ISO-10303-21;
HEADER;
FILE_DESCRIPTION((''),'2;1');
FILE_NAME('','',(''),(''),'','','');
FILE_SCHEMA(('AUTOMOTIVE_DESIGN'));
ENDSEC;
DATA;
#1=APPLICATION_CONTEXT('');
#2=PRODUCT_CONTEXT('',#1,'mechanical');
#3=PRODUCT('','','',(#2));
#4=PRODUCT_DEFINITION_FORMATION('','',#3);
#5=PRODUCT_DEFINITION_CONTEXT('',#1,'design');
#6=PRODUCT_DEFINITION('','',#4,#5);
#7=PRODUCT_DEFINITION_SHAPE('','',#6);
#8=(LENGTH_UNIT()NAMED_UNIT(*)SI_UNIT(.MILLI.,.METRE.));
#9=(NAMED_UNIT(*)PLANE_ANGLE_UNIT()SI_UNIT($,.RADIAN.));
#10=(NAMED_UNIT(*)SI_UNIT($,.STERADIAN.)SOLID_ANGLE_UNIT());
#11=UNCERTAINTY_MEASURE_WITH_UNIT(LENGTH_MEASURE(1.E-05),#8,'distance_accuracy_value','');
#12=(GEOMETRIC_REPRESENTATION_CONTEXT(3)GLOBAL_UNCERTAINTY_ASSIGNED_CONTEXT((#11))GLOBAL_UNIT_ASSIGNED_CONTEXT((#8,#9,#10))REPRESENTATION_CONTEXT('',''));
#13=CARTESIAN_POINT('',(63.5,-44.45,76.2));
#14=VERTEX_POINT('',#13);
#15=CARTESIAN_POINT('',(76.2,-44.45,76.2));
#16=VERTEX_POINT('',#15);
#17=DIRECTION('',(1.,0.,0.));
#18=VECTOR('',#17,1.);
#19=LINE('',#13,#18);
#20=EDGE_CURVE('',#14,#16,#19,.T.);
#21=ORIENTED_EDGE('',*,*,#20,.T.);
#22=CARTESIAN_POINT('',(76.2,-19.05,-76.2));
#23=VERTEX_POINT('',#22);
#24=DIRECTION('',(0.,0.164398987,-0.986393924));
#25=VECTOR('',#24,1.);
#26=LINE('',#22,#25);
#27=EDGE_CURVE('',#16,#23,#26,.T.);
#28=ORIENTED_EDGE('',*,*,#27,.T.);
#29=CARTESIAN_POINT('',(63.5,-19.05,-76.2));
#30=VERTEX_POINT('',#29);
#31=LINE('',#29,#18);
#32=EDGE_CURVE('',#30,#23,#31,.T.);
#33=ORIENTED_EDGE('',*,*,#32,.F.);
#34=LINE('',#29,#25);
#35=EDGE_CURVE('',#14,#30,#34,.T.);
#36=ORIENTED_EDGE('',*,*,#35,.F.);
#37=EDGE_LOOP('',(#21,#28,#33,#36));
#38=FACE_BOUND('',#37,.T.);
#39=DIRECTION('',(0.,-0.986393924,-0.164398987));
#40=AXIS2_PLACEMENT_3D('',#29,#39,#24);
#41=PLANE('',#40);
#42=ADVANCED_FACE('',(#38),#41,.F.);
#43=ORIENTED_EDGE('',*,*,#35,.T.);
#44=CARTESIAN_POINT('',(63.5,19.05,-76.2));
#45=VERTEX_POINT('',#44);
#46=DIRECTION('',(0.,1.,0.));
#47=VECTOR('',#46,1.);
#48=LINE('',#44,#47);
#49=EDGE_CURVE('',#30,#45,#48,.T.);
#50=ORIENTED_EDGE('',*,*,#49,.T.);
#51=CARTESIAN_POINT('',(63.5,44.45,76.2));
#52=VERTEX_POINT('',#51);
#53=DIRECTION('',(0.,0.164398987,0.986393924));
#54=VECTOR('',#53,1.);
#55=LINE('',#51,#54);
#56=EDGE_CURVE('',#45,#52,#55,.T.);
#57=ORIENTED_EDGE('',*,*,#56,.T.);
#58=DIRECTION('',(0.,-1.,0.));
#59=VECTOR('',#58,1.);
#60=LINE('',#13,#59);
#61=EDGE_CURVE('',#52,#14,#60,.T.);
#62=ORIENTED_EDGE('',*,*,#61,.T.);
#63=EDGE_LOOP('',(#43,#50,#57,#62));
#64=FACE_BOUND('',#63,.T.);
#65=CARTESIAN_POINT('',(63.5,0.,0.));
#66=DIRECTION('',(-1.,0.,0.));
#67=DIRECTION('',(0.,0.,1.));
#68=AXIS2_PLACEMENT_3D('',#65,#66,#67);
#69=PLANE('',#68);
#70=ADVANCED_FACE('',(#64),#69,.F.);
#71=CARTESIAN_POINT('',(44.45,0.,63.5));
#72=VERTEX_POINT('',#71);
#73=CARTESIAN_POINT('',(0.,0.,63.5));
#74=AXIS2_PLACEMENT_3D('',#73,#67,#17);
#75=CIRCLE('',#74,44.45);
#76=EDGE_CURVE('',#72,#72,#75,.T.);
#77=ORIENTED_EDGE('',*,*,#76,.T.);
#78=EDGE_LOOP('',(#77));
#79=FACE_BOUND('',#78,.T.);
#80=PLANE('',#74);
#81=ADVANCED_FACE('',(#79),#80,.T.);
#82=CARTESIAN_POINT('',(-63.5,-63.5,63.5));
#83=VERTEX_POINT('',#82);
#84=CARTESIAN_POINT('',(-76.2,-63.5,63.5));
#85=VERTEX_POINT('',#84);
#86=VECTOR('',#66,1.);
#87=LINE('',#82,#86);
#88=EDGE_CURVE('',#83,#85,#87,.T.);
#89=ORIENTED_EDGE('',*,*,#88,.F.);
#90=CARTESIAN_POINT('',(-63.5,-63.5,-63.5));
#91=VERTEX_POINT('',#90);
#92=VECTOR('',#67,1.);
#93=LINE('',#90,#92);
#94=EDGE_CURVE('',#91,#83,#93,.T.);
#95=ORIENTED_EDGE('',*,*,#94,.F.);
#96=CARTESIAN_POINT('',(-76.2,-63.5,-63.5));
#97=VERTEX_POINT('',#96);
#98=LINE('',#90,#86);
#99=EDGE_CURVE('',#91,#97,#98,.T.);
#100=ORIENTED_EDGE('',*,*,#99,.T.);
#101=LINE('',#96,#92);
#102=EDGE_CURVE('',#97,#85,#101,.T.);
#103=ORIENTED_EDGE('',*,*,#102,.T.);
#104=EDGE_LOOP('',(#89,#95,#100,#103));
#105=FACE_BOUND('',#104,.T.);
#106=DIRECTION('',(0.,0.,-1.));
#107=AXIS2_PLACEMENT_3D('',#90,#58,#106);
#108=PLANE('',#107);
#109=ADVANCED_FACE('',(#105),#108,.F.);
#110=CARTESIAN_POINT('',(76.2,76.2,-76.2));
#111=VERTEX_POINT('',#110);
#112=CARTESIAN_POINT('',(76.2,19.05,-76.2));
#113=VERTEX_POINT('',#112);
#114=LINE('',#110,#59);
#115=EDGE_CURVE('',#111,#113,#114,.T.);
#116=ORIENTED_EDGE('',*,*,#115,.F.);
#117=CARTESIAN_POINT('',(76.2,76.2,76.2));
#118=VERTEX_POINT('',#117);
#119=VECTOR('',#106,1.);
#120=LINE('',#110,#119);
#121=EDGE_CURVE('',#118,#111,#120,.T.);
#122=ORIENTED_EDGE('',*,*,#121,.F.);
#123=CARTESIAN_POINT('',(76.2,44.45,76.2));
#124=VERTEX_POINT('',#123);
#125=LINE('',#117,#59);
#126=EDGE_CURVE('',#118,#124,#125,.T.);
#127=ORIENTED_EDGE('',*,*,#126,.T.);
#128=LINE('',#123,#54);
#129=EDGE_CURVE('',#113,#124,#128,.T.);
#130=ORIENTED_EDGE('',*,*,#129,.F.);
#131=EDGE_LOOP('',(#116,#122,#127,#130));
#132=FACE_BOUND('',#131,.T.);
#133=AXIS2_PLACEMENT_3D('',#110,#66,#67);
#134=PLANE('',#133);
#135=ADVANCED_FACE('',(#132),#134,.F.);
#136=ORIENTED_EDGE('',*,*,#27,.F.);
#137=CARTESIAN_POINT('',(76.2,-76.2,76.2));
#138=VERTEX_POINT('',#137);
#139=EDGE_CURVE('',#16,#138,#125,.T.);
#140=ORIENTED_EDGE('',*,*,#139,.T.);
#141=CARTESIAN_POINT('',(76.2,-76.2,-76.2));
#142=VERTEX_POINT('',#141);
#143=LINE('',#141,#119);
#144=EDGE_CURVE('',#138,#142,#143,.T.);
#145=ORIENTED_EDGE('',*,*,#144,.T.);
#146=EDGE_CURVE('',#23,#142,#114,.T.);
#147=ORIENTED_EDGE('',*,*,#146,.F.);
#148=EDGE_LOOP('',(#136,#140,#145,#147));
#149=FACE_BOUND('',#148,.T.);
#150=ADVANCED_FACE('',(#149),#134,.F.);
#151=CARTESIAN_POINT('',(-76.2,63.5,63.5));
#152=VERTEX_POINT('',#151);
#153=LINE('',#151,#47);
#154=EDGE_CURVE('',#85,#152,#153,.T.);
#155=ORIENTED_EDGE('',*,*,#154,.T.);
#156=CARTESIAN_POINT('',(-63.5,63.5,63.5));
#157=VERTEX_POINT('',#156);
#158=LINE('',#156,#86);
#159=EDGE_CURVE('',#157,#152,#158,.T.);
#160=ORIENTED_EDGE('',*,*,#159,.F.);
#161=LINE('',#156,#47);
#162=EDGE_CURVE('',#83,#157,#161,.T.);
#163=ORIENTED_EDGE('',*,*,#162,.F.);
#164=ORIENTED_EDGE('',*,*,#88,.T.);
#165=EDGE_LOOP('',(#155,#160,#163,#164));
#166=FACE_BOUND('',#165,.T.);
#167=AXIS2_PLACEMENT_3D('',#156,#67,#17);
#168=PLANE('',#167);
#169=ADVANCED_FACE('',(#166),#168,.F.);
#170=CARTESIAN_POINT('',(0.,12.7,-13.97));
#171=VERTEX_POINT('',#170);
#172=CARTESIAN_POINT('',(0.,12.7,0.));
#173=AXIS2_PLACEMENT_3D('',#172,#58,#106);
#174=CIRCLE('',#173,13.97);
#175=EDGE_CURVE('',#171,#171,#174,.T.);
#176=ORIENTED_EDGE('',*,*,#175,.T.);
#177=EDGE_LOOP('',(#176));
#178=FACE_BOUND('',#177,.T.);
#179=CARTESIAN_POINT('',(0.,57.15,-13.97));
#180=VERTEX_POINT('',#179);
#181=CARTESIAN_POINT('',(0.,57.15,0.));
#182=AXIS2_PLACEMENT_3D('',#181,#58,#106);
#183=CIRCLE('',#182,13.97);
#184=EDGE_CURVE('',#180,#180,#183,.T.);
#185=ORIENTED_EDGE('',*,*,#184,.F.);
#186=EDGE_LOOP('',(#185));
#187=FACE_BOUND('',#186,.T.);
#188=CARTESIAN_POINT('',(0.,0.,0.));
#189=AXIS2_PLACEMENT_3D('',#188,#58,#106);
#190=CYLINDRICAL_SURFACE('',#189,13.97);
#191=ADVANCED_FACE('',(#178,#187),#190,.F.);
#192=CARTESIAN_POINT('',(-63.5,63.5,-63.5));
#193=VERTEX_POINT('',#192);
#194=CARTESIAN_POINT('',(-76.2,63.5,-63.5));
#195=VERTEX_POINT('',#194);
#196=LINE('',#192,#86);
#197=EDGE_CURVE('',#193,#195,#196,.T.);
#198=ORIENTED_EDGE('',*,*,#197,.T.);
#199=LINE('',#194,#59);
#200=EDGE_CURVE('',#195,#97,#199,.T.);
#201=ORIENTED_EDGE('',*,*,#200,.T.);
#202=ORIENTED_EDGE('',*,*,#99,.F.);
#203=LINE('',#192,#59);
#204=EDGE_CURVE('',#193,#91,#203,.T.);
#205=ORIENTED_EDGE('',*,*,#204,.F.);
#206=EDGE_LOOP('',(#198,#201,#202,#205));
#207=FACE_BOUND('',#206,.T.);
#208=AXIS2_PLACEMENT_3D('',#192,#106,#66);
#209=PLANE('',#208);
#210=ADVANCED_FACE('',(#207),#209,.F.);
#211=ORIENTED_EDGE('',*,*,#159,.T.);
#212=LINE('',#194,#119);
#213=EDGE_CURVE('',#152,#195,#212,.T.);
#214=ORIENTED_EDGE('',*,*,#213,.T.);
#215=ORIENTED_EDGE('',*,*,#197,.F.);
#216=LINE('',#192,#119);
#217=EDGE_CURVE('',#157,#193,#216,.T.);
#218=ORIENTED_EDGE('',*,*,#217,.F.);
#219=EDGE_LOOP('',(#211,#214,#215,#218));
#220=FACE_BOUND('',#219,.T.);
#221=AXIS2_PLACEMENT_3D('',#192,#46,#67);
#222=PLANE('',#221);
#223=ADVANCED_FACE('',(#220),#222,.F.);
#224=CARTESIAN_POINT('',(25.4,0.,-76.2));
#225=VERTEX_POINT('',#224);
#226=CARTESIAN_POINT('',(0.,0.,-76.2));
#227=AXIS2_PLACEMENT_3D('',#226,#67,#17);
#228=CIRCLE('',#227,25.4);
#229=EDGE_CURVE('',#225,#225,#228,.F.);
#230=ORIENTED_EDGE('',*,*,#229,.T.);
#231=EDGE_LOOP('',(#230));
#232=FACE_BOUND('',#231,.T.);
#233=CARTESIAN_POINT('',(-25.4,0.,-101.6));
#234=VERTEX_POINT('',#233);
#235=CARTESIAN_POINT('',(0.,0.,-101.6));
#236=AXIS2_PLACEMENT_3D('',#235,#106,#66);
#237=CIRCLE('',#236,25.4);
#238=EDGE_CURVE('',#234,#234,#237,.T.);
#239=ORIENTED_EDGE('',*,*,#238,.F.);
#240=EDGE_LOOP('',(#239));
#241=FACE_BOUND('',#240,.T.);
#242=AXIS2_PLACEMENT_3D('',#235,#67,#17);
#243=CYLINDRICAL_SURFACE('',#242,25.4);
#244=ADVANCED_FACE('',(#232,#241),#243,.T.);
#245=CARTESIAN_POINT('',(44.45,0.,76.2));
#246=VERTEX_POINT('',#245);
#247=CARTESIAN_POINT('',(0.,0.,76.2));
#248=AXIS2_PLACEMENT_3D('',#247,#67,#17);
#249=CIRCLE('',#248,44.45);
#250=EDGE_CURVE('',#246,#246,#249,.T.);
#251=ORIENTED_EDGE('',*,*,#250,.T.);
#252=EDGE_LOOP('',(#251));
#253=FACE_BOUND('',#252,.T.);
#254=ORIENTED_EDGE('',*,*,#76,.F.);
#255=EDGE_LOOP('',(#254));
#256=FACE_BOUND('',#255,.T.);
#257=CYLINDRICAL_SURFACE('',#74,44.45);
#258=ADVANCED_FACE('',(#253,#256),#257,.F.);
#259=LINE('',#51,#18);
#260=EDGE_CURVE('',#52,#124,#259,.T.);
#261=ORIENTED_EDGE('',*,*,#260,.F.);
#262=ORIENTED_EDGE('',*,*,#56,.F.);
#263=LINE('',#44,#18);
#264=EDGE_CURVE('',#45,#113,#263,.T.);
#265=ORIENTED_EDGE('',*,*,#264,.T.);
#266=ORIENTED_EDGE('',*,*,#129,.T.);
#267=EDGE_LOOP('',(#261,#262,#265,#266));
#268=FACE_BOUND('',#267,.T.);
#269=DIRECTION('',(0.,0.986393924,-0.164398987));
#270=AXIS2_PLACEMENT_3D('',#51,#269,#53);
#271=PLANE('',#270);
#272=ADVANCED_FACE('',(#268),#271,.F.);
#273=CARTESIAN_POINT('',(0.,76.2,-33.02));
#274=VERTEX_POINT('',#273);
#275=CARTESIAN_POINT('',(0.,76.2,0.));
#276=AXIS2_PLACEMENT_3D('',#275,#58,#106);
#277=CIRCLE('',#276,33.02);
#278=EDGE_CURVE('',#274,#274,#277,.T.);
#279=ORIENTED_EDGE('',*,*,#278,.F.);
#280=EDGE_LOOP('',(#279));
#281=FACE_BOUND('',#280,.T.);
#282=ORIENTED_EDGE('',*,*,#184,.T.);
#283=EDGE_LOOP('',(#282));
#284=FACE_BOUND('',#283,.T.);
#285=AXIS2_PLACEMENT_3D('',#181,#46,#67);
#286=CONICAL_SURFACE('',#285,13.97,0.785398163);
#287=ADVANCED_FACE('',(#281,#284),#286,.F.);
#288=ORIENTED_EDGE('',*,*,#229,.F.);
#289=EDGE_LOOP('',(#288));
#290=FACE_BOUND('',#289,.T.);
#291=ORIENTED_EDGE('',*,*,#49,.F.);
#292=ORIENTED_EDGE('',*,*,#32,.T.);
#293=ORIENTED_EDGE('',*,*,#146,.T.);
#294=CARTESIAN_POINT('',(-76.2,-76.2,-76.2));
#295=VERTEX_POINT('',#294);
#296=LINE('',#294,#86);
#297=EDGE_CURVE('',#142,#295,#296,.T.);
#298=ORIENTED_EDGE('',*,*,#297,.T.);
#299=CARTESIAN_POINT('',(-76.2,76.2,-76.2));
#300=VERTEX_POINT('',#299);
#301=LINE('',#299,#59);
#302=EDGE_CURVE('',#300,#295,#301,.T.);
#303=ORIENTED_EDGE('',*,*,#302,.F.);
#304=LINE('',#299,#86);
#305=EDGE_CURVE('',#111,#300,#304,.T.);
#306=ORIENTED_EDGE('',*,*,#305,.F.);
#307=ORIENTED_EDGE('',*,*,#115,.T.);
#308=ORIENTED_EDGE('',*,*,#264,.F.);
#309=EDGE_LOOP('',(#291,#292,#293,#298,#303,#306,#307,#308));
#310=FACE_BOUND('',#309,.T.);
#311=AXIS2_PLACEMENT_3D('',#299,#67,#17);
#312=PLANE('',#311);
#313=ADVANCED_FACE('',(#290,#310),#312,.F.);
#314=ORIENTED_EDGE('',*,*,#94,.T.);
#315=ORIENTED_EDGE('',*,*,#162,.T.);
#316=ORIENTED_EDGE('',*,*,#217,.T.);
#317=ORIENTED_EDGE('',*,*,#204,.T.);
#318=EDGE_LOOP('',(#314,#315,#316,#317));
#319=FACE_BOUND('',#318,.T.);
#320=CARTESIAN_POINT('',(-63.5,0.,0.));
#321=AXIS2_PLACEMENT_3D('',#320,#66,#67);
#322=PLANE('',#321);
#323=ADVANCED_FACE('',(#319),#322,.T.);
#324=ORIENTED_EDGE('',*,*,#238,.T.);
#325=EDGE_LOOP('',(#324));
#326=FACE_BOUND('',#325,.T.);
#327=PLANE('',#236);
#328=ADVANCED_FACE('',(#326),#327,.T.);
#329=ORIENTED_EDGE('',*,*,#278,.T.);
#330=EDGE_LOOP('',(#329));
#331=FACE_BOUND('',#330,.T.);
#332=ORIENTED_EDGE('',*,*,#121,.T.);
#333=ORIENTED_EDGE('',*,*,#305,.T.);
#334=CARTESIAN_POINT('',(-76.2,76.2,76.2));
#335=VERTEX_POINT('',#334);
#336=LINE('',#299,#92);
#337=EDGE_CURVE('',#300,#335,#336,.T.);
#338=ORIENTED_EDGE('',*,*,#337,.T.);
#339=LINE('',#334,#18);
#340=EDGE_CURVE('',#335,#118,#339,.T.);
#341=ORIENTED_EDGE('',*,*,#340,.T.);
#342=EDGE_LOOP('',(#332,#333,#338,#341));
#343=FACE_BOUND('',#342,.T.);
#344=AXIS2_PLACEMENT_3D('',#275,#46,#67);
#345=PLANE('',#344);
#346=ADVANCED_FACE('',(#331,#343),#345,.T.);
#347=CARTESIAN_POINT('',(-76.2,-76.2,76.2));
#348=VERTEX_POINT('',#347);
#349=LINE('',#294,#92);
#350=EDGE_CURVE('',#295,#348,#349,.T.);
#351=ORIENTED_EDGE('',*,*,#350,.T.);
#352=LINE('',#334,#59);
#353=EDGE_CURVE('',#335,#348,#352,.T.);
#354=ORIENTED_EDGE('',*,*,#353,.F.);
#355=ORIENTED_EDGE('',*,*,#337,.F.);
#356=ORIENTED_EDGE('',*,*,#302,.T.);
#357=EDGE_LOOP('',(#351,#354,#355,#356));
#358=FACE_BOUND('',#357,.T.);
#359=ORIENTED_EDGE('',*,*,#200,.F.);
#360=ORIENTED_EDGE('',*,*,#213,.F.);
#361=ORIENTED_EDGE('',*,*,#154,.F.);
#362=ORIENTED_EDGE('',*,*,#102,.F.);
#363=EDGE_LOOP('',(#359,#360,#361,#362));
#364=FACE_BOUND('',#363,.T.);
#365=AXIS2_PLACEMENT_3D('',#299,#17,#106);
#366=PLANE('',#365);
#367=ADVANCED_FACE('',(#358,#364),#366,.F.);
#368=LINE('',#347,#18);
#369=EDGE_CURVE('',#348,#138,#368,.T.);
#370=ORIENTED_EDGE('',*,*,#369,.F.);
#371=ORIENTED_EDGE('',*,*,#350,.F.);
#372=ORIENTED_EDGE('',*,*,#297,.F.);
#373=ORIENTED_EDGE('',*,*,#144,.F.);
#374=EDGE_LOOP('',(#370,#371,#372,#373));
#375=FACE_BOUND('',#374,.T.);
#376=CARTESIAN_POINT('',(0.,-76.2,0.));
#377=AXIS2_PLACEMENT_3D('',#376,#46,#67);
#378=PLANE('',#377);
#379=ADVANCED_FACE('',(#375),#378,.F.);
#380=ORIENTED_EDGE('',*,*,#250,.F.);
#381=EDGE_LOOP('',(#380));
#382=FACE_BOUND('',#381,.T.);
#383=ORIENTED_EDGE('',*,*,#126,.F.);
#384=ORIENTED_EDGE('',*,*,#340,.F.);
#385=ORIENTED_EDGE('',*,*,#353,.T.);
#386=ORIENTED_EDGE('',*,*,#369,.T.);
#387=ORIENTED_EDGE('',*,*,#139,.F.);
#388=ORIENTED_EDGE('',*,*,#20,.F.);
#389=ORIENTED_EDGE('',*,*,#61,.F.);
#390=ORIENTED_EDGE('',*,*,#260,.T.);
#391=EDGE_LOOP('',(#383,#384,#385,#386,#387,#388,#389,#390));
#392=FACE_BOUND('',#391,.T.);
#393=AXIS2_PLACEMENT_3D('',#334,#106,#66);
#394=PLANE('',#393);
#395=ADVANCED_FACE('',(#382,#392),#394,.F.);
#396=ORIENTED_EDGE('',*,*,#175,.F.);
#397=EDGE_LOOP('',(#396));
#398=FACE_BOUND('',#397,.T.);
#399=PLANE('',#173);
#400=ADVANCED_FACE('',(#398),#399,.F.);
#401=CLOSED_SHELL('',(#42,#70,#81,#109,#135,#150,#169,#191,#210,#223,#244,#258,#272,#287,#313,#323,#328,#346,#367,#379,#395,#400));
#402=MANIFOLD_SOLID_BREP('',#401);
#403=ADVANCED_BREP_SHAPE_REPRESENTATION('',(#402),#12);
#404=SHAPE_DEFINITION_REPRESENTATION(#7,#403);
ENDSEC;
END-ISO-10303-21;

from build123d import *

# Parameters (mm, degrees)
SKETCH1_W           = 152.4
SKETCH1_H           = 152.4
BOSS_EXTRUDE1_DEPTH = 76.2
CUT_EXTRUDE1_DEPTH  = 12.7
SKETCH4_R           = 44.45
CUT_EXTRUDE2_DEPTH  = 12.7
SKETCH5_R           = 25.4
BOSS_EXTRUDE2_DEPTH = 25.4
SKETCH6_W           = 127
SKETCH6_H           = 127
CUT_EXTRUDE3_DEPTH  = 12.7


with BuildPart() as part:
    # Sketch1 → Boss-Extrude1 (new, symmetric)
    with BuildSketch(Plane(origin=(0, 0, 0), x_dir=(1, 0, 0), z_dir=(0, 1, 0))):
        Rectangle(SKETCH1_W, SKETCH1_H)
    extrude(amount=BOSS_EXTRUDE1_DEPTH, both=True)

    # Sketch2 → Cut-Revolve1 (revolve, cut)
    with BuildSketch(Plane.XY, mode=Mode.PRIVATE) as cut_revolve1_sk:
        Polygon((0, 12.7), (13.97, 12.7), (13.97, 57.15), (33.02, 76.2), (0, 76.2), align=None)
    revolve(cut_revolve1_sk.sketch.rotate(Axis((0, 0, 0), (0, 1, 0)), 90), axis=Axis((0, 0, 0), (0, 1, 0)), mode=Mode.SUBTRACT)

    # Sketch3 → Cut-Extrude1 (cut)
    with BuildSketch(Plane(origin=(76.2, 0, 0), x_dir=(0, 0, -1), z_dir=(1, 0, 0))):
        Polygon((-76.2, 44.45), (76.2, 19.05), (76.2, -19.05), (-76.2, -44.45), align=None)
    extrude(amount=-CUT_EXTRUDE1_DEPTH, mode=Mode.SUBTRACT)

    # Sketch4 → Cut-Extrude2 (cut)
    with BuildSketch(Plane.XY.offset(76.2)):
        Circle(SKETCH4_R)
    extrude(amount=-CUT_EXTRUDE2_DEPTH, mode=Mode.SUBTRACT)

    # Sketch5 → Boss-Extrude2 (add)
    with BuildSketch(Plane(origin=(0, 0, -76.2), x_dir=(-1, 0, 0), z_dir=(0, 0, -1))):
        with Locations(Location((0, 0, 0), (0, 0, 180))):
            Circle(SKETCH5_R)
    extrude(amount=BOSS_EXTRUDE2_DEPTH)

    # Sketch6 → Cut-Extrude3 (cut)
    with BuildSketch(Plane.ZY.offset(76.2)):
        Rectangle(SKETCH6_W, SKETCH6_H)
    extrude(amount=-CUT_EXTRUDE3_DEPTH, mode=Mode.SUBTRACT)


solid = part.part
